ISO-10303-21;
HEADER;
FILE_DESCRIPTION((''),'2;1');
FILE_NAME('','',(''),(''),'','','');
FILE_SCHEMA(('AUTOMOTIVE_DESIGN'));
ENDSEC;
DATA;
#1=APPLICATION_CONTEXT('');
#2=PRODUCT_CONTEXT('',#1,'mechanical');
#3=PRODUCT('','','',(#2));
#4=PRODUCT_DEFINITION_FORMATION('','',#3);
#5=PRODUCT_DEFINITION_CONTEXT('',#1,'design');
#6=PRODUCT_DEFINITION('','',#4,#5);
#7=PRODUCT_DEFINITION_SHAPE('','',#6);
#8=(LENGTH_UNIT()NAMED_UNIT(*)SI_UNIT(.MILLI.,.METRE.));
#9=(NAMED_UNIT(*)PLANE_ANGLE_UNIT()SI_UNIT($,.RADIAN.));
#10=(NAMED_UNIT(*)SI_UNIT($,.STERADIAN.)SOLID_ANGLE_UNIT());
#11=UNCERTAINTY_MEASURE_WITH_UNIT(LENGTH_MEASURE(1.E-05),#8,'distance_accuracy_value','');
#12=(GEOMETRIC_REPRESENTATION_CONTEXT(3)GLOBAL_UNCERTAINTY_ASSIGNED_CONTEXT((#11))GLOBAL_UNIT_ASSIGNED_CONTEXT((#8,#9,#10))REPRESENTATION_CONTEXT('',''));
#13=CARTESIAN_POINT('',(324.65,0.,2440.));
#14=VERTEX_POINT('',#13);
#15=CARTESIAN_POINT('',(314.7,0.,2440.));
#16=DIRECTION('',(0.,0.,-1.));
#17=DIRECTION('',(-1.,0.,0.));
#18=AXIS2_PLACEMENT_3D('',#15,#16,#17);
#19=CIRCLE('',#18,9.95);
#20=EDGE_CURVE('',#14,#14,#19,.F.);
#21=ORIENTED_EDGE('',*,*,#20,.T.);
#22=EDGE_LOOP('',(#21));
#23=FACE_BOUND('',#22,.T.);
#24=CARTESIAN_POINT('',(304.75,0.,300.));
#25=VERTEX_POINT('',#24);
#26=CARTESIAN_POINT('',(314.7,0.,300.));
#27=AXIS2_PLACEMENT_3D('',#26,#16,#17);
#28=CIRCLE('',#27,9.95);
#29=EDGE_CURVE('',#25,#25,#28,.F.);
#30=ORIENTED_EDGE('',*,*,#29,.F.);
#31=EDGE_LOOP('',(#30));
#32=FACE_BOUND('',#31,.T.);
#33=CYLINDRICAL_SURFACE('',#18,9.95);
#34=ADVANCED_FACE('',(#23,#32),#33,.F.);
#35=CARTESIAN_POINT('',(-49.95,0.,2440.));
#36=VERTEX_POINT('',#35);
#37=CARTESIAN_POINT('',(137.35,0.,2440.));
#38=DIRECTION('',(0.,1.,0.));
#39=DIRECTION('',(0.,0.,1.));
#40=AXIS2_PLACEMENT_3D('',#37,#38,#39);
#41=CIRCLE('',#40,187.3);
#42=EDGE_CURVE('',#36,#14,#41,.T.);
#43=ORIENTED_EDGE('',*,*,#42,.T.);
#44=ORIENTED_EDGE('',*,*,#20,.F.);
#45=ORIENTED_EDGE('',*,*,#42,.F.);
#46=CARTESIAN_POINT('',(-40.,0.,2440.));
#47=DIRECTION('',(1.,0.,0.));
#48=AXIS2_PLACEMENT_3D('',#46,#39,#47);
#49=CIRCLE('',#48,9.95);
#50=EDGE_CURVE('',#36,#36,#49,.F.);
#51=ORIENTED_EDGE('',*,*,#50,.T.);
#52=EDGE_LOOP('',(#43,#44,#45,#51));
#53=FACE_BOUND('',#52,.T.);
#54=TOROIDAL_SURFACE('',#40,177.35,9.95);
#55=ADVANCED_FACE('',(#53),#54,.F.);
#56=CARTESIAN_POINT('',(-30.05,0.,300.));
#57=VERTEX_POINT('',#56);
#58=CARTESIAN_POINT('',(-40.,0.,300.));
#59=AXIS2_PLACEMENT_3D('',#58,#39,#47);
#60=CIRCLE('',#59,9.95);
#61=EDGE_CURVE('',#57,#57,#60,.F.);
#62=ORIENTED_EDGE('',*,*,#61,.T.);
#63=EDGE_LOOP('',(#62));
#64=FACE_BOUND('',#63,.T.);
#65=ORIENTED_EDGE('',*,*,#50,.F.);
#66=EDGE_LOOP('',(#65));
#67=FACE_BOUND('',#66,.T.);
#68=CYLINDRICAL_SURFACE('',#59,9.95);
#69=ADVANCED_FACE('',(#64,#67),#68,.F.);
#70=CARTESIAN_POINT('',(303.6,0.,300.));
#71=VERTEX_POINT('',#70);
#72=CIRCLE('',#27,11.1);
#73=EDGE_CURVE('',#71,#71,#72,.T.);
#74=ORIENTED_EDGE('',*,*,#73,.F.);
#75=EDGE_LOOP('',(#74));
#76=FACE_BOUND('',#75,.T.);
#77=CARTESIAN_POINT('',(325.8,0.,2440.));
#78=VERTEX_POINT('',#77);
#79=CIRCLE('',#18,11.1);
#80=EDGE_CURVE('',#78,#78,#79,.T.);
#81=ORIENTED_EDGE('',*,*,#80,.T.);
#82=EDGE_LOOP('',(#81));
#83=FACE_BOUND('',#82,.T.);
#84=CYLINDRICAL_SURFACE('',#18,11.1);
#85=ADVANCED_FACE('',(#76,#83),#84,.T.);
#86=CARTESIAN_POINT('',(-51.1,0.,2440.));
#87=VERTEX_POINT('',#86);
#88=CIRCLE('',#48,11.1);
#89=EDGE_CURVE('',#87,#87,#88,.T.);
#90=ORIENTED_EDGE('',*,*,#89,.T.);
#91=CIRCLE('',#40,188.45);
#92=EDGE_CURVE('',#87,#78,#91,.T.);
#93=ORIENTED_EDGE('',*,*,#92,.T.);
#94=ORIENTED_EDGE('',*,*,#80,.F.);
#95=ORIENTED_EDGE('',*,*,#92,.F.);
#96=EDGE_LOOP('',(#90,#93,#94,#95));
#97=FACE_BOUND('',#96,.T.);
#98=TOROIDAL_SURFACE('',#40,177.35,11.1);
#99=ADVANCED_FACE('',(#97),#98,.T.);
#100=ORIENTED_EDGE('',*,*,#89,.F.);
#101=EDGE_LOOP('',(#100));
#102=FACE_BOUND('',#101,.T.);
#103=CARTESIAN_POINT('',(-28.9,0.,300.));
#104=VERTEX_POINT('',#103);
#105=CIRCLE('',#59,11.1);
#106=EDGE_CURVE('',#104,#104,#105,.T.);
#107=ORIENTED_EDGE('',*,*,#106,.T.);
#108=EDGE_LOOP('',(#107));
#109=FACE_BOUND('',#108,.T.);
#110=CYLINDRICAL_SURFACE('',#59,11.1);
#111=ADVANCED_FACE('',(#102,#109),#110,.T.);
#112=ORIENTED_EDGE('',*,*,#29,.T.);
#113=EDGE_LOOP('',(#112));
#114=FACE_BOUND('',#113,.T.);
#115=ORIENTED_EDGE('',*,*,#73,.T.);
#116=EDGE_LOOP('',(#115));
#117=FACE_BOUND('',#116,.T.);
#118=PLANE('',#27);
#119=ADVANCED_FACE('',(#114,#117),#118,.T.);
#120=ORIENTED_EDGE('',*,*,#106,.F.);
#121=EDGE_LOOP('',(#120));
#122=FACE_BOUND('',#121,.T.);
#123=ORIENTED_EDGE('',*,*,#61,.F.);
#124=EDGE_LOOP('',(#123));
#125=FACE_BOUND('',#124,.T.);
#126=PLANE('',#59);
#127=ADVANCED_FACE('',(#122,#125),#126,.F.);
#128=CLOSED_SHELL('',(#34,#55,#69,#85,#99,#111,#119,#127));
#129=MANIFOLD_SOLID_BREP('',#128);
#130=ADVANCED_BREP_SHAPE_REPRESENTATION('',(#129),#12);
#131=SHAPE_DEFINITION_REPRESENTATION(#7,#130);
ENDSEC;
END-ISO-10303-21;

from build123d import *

# Parameters (mm, degrees)
SKETCH2_R   = 11.1
SKETCH2_R_2 = 9.95


with BuildPart() as part:
    # Sweep1: sweep along a path in Sketch1
    with BuildLine(Plane(origin=(0, 0, 0), x_dir=(1, 0, 0), z_dir=(0, 1, 0))) as sweep1_path:
        Line((314.7, -300), (314.7, -2440))
        ThreePointArc((314.7, -2440), (137.35, -2617.35), (-40, -2440))
        Line((-40, -2440), (-40, -300))
    # Sketch2 → Sweep1 (sweep)
    with BuildSketch(Plane(origin=(314.7, 0, 300), x_dir=(-1, 0, 0), z_dir=(0, 0, -1))):
        Circle(SKETCH2_R)
        Circle(SKETCH2_R_2, mode=Mode.SUBTRACT)
    sweep(path=sweep1_path.line)


solid = part.part
